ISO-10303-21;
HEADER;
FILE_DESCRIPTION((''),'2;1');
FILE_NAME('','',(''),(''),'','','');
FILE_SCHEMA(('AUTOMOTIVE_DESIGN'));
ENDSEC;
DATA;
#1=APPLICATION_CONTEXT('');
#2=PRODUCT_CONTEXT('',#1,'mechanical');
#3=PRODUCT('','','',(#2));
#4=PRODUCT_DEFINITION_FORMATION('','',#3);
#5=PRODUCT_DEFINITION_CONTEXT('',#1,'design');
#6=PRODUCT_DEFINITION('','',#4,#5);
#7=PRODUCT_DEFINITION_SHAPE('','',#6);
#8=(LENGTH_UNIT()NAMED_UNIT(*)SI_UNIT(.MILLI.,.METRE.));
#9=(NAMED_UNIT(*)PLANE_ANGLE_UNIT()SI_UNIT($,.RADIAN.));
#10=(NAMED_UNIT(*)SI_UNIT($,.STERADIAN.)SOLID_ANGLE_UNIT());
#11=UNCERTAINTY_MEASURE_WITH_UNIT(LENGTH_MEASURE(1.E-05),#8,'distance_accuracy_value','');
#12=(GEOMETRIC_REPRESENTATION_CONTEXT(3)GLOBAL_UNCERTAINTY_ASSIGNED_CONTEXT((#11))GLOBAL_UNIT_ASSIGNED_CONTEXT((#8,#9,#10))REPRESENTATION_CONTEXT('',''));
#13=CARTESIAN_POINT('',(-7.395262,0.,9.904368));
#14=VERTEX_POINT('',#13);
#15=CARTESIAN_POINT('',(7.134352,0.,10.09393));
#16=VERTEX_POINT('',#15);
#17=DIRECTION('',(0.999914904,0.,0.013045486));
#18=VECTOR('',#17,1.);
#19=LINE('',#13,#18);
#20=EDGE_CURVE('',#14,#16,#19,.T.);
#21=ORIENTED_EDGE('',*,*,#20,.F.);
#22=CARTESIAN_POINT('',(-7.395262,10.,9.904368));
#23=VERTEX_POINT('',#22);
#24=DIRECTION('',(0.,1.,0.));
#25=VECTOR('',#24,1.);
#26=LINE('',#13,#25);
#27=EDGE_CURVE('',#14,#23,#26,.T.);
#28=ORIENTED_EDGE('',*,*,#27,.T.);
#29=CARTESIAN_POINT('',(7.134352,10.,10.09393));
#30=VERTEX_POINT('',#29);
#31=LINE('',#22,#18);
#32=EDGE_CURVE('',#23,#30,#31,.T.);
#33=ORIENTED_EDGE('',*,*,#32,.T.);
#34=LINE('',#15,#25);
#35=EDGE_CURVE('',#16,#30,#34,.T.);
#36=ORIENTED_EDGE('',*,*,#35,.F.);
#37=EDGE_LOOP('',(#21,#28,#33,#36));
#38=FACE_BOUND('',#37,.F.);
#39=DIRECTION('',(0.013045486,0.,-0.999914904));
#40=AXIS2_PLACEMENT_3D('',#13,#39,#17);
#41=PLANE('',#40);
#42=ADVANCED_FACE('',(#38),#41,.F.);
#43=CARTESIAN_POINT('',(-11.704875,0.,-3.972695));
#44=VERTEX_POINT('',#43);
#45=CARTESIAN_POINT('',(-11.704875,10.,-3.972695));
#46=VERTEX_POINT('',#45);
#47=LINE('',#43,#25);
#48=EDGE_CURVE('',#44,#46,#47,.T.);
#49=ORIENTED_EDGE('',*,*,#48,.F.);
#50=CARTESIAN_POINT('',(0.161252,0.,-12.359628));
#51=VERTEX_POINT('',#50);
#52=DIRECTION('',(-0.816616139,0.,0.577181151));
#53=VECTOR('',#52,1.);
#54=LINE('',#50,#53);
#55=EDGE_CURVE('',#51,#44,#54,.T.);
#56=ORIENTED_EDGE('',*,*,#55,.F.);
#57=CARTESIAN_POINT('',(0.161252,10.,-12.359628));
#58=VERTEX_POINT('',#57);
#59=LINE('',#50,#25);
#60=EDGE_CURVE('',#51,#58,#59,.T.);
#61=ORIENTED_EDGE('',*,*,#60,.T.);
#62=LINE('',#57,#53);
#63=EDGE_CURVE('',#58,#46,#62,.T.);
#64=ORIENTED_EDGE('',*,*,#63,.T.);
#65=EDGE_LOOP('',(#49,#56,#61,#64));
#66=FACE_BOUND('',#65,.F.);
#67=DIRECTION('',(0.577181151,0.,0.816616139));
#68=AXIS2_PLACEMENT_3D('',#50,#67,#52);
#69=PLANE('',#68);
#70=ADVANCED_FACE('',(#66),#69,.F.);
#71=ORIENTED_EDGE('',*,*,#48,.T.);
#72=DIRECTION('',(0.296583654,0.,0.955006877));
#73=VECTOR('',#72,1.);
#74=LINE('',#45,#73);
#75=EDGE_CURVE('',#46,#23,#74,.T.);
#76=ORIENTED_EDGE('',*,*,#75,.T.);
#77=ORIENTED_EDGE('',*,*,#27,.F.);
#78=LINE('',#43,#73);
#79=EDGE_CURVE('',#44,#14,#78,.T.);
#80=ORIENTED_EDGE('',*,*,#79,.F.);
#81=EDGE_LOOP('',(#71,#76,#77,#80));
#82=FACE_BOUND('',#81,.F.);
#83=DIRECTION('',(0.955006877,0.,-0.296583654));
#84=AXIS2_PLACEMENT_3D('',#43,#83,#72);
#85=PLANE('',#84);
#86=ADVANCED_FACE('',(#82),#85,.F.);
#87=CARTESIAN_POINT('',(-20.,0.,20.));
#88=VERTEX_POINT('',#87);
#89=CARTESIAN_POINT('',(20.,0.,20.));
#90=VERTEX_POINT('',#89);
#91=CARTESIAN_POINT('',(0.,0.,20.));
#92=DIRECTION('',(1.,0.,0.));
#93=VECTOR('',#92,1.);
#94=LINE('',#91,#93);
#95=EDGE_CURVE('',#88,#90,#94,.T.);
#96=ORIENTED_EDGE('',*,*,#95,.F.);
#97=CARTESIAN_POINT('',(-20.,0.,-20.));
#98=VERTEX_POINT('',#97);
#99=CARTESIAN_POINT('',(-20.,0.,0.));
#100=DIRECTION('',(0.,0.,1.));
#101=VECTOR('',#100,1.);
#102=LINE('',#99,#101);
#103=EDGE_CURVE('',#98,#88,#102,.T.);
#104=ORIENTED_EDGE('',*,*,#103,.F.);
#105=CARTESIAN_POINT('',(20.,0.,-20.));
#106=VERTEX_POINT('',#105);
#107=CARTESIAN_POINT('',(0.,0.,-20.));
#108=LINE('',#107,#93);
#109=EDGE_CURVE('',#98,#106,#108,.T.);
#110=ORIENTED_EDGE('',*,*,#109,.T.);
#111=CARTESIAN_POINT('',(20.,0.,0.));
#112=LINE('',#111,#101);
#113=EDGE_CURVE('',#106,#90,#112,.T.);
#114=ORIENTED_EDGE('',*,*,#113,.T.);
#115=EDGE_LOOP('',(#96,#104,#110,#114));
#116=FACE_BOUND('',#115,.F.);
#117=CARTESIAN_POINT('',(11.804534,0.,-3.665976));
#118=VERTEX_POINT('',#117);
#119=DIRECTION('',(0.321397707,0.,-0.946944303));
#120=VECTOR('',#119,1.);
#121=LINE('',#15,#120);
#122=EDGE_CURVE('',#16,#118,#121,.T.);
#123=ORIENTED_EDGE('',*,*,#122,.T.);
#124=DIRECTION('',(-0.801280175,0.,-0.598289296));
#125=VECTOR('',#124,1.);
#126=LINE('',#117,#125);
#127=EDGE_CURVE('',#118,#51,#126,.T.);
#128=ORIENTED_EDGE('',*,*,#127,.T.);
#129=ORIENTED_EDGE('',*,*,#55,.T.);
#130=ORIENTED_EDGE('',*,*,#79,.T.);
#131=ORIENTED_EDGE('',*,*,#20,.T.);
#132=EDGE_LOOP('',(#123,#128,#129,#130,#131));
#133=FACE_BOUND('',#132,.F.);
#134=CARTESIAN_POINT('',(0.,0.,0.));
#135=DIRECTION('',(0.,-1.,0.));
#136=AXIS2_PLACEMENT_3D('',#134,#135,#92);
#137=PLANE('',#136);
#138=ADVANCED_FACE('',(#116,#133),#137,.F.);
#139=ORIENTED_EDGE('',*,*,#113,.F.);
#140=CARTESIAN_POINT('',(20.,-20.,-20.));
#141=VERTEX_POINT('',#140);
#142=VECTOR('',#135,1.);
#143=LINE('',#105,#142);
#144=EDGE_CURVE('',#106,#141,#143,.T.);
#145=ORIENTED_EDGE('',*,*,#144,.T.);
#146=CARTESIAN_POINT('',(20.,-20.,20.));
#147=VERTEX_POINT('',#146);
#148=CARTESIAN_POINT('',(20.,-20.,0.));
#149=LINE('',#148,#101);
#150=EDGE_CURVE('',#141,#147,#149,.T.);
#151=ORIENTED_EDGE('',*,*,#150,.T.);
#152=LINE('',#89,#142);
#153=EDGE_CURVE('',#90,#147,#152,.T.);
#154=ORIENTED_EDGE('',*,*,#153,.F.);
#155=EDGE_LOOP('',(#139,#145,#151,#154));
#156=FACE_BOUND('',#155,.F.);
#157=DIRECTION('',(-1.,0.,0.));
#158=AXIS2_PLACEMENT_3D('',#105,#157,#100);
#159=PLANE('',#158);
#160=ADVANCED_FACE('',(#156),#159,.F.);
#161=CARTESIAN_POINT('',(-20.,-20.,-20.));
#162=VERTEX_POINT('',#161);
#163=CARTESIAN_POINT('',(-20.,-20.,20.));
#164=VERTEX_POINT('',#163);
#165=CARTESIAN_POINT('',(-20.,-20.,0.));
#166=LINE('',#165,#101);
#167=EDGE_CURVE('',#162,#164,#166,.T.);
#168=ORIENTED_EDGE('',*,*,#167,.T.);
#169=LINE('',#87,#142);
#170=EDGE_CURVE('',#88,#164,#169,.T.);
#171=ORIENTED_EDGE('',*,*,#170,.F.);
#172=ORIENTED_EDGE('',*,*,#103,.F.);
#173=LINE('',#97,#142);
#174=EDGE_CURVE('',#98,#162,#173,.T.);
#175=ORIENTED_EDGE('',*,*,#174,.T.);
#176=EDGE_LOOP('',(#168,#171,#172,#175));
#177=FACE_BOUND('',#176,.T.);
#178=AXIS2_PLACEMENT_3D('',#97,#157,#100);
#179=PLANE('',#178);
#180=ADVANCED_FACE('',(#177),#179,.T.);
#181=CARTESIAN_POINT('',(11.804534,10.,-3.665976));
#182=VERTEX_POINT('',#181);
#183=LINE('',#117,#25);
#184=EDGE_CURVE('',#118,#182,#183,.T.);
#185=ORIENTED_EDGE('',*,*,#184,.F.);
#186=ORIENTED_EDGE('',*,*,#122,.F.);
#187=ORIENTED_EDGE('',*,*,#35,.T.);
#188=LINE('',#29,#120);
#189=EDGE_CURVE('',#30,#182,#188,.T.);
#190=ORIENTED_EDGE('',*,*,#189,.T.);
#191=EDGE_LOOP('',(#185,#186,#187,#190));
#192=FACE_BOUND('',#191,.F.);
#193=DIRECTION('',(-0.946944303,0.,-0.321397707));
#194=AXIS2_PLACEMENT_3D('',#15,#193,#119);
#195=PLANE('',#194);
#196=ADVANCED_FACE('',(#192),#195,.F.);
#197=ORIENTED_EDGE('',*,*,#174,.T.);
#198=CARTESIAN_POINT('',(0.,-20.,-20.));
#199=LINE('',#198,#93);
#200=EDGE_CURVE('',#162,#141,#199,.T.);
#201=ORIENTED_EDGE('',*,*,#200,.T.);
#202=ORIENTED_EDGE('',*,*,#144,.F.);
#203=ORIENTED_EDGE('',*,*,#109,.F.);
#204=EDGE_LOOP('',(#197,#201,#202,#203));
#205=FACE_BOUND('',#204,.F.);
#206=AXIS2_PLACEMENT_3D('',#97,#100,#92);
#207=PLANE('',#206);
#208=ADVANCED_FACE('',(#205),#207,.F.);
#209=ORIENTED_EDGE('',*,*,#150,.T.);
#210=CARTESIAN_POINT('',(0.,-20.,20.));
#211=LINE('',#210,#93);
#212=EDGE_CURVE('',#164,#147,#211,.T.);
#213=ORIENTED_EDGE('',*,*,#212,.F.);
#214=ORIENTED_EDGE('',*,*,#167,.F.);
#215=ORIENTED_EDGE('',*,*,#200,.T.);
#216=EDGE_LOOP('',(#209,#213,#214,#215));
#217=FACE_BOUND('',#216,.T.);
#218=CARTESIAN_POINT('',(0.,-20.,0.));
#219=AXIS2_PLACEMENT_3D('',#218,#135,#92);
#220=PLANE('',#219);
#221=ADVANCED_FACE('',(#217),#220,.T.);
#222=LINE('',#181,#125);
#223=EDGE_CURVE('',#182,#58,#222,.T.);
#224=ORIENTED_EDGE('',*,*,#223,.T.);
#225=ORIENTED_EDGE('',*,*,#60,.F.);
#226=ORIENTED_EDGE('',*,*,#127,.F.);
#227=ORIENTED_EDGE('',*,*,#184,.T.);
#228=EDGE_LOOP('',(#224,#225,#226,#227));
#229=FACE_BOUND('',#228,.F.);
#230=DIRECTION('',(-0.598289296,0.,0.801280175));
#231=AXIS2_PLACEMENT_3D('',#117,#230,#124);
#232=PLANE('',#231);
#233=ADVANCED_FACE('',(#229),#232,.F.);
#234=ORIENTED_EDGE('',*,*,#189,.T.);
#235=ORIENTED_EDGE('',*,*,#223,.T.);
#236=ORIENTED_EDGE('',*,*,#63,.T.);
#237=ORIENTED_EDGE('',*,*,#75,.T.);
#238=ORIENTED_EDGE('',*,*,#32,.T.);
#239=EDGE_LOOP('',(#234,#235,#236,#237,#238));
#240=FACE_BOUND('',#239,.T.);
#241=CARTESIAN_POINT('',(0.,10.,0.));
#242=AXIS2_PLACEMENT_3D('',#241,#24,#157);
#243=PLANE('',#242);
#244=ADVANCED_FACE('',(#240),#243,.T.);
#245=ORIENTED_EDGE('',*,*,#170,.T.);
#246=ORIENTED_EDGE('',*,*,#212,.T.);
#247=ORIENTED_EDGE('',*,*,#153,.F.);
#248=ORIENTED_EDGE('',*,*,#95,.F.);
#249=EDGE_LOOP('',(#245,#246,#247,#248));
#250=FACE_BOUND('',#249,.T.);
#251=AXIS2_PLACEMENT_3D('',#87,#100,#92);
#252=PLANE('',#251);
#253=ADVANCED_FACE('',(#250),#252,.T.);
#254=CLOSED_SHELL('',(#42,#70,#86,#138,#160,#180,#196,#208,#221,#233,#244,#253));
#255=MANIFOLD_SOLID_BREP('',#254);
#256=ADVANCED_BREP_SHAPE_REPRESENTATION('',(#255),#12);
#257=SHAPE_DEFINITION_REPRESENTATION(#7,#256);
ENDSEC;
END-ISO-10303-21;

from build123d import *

# Parameters (mm, degrees)
F0_W     = 40
F0_H     = 40
F1_DEPTH = 20
F3_DEPTH = 10


with BuildPart() as f1:
    # F0 (on Front) → F1 (new body)
    with BuildSketch(Plane.XZ):
        Rectangle(F0_W, F0_H)
    extrude(amount=F1_DEPTH)

    # F2 (on face) → F3 (join)
    with BuildSketch(Plane(origin=(0, 0, 0), x_dir=(-1, 0, 0), z_dir=(0, 1, 0))):
        Polygon((-11.804534, -3.665976), (-0.161252, -12.359628), (11.704875, -3.972695), (7.395262, 9.904368), (-7.134352, 10.09393), align=None)
    extrude(amount=F3_DEPTH)


solid = f1.part
